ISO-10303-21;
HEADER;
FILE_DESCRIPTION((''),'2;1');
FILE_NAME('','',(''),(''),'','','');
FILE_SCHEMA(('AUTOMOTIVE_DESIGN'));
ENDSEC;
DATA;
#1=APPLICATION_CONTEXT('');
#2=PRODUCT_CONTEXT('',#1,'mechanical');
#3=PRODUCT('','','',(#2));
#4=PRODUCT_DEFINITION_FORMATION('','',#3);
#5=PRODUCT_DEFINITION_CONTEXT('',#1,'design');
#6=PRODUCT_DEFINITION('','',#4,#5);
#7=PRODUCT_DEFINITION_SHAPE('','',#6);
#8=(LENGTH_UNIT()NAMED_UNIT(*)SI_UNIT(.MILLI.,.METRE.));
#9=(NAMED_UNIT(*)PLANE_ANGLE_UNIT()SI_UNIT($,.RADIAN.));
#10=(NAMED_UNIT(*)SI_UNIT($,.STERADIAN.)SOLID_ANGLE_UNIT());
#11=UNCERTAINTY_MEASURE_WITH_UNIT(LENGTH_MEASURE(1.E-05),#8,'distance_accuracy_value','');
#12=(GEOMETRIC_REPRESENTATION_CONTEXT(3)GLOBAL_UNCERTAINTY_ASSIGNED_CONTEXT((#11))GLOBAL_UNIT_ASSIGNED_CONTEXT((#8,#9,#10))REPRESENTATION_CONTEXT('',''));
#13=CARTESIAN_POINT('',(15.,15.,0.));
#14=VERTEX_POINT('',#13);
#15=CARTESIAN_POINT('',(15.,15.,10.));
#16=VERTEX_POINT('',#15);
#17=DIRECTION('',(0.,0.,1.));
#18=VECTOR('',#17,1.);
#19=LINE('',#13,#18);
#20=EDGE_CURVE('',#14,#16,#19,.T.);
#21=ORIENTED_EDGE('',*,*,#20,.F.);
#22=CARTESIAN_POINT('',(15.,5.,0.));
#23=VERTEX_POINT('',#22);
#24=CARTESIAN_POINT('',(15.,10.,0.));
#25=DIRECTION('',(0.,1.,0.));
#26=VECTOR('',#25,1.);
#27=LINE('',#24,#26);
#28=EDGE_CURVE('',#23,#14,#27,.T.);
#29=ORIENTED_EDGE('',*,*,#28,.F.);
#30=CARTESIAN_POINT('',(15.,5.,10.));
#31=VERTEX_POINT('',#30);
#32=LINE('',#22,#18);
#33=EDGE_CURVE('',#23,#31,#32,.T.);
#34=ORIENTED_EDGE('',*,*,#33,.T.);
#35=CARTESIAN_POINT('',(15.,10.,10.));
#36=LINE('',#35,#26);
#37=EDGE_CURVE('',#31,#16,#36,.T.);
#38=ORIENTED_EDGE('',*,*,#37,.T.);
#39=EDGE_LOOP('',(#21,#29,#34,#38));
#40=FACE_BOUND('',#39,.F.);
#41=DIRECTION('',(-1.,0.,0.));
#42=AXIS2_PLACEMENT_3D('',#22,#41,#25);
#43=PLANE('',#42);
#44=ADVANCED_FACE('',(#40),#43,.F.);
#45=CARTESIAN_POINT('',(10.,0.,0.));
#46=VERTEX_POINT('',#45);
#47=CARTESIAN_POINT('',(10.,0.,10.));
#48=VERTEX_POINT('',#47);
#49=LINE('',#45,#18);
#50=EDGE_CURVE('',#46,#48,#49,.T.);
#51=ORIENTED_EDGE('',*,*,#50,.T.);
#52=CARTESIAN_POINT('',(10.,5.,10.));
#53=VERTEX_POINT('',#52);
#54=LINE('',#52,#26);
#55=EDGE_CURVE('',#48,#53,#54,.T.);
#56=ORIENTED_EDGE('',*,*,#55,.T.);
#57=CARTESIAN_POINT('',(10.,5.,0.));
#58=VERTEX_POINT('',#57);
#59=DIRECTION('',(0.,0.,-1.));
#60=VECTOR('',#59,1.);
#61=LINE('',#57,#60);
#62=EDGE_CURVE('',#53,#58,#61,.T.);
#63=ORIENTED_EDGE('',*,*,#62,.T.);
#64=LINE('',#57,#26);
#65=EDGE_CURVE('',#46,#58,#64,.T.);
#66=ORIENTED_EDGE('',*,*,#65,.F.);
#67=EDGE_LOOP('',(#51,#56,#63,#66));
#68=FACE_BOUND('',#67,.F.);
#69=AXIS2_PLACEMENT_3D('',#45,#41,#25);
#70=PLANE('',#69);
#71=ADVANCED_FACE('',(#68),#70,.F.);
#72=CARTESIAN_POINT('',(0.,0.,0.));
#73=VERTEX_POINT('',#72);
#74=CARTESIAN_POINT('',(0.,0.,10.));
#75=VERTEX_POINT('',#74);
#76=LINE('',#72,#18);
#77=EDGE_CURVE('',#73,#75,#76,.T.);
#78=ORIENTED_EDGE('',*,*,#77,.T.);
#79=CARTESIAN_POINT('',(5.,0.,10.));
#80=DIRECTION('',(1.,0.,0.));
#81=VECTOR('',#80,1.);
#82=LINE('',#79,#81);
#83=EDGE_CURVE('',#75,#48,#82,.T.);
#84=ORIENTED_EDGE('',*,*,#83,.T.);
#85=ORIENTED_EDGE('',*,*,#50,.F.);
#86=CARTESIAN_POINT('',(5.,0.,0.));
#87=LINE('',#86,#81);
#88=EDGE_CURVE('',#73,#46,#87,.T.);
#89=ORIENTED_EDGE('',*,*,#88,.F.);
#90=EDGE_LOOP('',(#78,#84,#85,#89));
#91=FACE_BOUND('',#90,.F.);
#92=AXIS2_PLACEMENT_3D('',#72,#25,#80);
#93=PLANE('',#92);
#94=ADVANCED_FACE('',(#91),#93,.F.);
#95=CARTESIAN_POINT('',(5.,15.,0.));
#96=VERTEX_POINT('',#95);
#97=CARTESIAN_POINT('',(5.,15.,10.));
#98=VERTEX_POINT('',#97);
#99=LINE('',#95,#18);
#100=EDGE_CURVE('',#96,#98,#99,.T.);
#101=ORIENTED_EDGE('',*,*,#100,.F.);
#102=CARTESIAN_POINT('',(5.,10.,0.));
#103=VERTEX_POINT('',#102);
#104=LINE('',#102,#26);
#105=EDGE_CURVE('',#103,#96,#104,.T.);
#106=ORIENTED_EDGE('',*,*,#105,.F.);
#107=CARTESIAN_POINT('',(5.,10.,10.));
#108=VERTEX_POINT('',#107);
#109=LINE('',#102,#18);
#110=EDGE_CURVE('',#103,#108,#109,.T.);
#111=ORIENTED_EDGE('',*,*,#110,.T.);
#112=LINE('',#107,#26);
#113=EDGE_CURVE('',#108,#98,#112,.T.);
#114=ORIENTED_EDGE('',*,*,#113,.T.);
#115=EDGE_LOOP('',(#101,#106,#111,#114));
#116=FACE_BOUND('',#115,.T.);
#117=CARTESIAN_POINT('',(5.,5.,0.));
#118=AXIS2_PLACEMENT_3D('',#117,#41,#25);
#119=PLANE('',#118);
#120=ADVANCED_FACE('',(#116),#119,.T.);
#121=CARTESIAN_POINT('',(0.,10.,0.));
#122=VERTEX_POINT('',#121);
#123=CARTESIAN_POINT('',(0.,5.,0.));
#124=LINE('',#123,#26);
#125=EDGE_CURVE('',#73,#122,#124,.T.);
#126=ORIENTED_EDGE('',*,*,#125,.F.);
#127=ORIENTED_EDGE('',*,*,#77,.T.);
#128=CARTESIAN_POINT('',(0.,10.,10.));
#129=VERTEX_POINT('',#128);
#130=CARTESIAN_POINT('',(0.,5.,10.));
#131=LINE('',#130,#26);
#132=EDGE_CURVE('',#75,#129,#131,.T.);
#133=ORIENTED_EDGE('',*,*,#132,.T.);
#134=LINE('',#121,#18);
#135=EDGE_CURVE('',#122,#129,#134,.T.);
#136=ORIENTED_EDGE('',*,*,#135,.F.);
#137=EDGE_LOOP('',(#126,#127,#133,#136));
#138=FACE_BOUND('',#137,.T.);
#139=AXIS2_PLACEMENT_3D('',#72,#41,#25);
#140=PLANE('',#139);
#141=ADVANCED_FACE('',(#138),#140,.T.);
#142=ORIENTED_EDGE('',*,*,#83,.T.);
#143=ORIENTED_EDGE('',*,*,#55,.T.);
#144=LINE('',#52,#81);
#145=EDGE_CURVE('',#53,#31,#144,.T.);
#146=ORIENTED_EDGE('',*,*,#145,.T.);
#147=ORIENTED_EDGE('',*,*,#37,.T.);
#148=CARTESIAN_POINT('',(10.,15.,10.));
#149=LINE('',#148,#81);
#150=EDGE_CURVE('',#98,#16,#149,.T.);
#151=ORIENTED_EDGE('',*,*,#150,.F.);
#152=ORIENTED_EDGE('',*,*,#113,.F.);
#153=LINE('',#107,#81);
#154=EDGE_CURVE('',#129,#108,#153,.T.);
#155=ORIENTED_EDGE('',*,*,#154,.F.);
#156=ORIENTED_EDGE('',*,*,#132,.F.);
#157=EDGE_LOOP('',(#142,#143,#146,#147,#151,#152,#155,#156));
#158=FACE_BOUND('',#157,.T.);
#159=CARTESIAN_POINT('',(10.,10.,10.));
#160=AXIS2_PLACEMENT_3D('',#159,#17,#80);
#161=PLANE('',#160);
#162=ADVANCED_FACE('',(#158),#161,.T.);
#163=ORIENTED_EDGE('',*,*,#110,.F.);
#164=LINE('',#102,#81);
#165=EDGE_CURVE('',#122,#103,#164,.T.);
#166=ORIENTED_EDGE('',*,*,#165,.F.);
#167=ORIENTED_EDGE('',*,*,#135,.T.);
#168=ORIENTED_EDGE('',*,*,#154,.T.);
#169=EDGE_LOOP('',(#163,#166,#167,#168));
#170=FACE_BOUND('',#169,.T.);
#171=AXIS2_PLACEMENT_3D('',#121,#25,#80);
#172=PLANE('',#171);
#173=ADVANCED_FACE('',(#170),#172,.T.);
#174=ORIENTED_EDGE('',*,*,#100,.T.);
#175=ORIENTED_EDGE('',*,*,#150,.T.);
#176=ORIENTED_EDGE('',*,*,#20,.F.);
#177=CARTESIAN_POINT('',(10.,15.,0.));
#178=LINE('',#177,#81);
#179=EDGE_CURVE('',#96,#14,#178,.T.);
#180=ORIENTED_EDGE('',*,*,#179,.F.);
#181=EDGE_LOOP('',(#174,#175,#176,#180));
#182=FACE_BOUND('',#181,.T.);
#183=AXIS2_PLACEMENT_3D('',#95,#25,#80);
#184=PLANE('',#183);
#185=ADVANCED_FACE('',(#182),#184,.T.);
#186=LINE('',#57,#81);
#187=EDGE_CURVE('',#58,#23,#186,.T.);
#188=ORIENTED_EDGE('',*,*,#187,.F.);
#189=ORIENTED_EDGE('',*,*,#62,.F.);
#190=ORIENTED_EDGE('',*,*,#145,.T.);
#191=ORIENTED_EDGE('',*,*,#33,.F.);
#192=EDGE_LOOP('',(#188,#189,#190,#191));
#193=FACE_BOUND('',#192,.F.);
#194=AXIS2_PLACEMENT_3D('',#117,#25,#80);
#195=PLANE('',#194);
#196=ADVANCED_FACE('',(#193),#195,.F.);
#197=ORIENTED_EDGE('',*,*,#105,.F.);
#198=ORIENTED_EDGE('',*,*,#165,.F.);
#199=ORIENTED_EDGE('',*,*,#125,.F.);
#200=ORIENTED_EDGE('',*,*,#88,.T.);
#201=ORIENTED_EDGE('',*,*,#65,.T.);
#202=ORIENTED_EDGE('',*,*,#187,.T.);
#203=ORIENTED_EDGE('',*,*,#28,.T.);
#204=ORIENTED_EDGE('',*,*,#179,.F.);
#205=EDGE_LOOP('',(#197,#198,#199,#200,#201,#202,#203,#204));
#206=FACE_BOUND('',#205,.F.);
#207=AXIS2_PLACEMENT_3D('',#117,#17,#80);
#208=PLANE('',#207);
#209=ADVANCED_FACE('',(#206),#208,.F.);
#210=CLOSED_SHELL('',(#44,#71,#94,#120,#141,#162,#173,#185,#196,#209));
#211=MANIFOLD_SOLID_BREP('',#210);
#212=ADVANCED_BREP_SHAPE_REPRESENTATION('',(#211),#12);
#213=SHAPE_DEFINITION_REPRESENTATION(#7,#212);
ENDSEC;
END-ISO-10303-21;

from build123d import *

# Parameters (mm, degrees)
BOX001_W     = 10
BOX001_H     = 10
BOX001_DEPTH = 10
BOX_W        = 10
BOX_H        = 10
BOX_DEPTH    = 10


with BuildPart() as cubo001:
    # Box001 → Box001 (new body)
    with BuildSketch(Plane(origin=(5, 5, 0), x_dir=(1, 0, 0), z_dir=(0, 0, 1))):
        with Locations((5, 5)):
            Rectangle(BOX001_W, BOX001_H)
    extrude(amount=BOX001_DEPTH)


with BuildPart() as fusion:
    # Box → Box (new body)
    with BuildSketch(Plane.XY):
        with Locations((5, 5)):
            Rectangle(BOX_W, BOX_H)
    extrude(amount=BOX_DEPTH)

    # Fusion: union Cubo001
    add(cubo001.part)


solid = fusion.part
